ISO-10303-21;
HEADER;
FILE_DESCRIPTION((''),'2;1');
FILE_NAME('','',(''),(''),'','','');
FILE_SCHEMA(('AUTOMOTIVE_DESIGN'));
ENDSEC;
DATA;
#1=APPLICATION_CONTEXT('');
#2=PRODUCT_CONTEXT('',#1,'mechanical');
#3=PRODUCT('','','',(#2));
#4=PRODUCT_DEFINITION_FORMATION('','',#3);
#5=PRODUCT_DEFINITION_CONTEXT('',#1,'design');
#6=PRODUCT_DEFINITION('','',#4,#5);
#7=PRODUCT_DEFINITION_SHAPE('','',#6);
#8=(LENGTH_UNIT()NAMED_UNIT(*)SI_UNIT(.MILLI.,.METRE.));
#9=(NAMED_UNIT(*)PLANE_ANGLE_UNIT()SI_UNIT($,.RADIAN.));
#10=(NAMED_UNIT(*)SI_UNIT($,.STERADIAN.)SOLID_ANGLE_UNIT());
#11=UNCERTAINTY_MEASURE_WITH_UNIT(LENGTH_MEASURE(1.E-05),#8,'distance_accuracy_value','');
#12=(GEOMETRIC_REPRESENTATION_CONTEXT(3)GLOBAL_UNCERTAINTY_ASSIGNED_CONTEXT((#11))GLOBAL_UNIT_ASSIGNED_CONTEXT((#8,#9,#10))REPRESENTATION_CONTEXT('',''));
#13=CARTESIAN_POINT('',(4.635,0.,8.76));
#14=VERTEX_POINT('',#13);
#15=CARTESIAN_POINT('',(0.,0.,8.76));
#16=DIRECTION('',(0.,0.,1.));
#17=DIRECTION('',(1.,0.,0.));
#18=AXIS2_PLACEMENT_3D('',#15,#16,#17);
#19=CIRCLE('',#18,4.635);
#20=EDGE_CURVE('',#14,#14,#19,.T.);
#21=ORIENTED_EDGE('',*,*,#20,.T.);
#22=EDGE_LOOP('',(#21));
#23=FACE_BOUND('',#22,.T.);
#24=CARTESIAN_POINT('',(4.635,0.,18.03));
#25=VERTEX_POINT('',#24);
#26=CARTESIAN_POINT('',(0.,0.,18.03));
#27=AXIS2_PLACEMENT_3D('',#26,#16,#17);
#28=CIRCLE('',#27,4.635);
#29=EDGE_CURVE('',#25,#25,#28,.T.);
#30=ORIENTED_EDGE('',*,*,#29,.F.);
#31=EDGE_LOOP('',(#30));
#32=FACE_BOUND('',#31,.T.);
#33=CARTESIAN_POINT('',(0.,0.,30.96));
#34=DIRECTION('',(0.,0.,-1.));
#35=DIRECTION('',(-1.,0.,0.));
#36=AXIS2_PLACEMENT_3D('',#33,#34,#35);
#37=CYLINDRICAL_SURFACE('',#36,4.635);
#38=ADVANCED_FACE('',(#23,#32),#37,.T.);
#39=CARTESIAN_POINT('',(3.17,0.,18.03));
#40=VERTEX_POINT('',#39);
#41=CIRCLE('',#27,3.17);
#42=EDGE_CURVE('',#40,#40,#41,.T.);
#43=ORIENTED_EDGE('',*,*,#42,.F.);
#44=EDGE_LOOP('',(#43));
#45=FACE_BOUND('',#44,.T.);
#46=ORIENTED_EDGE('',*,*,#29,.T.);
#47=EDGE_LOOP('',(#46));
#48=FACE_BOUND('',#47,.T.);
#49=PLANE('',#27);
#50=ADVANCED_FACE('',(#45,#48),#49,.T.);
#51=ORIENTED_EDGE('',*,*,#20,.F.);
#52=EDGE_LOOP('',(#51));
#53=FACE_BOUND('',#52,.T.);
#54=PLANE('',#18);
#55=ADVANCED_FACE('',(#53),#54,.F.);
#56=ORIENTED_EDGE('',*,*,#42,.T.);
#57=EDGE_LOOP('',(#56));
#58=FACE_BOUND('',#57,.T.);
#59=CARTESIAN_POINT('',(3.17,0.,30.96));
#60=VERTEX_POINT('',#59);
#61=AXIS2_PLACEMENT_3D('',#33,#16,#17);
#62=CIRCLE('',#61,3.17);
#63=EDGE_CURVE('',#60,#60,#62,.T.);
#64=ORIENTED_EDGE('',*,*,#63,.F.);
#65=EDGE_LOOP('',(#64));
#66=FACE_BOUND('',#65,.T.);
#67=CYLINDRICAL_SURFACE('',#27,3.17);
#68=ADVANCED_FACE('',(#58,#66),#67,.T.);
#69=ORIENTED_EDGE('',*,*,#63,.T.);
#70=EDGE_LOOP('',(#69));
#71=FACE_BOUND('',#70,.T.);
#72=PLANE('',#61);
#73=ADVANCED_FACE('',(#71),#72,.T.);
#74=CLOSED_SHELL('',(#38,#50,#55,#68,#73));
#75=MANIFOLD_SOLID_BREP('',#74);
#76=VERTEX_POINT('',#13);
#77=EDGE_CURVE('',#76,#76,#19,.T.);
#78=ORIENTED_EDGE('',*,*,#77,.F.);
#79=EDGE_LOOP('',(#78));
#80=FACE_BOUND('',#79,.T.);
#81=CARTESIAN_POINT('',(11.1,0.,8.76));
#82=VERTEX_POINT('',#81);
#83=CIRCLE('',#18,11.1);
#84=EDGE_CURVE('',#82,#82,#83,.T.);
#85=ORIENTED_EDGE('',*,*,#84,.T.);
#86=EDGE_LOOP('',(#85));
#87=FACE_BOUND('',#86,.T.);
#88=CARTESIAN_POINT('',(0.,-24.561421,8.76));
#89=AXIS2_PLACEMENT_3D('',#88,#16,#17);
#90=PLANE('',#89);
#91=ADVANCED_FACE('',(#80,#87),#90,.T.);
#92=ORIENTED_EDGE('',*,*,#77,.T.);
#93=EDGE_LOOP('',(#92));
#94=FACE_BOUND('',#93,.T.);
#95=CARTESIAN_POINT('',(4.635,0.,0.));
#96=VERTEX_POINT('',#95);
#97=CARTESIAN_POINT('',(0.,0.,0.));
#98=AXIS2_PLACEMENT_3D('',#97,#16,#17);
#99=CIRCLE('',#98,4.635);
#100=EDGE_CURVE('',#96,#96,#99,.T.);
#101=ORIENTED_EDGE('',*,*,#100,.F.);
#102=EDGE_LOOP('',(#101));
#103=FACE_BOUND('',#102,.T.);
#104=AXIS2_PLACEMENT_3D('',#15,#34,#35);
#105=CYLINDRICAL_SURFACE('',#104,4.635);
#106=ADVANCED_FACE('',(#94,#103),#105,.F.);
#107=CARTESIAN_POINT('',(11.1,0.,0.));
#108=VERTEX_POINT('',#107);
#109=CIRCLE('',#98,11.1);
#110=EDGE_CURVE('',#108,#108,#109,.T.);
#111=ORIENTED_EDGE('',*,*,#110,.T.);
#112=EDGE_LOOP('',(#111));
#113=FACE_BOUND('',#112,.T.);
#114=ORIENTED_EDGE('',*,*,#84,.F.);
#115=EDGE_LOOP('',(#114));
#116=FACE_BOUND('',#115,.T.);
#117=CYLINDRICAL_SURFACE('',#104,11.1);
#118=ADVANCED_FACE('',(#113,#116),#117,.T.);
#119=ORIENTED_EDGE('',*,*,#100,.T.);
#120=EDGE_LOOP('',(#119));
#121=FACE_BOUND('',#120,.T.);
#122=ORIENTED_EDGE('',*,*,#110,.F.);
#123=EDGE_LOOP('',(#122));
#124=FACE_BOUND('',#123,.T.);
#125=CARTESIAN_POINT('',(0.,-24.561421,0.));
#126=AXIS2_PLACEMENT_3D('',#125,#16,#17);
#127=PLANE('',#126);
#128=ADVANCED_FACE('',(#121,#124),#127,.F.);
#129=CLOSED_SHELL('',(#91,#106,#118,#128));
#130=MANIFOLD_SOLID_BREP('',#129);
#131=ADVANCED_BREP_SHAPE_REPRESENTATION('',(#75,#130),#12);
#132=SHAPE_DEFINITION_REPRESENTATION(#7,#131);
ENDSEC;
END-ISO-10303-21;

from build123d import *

# Parameters (mm, degrees)
SKETCH1_R           = 11.1
SKETCH1_R_2         = 4.635
BOSS_EXTRUDE1_DEPTH = 8.76
SKETCH3_R           = 4.635
BOSS_EXTRUDE2_DEPTH = 22.2
CUT_EXTRUDE3_START  = -12.93
SKETCH4_R           = 4.635
SKETCH4_R_2         = 3.17
CUT_EXTRUDE3_DEPTH  = 12.93


with BuildPart() as part:
    # Sketch1 → Boss-Extrude1 (new body)
    with BuildSketch(Plane.XY):
        Circle(SKETCH1_R)
        Circle(SKETCH1_R_2, mode=Mode.SUBTRACT)
    extrude(amount=BOSS_EXTRUDE1_DEPTH)


with BuildPart() as body_2:
    # Sketch3 → Boss-Extrude2 (new body)
    with BuildSketch(Plane.XY.offset(8.76)):
        Circle(SKETCH3_R)
    extrude(amount=BOSS_EXTRUDE2_DEPTH)

    # Sketch4 → Cut-Extrude3 (cut)
    with BuildSketch(Plane.XY.offset(30.96).offset(CUT_EXTRUDE3_START)):
        Circle(SKETCH4_R)
        Circle(SKETCH4_R_2, mode=Mode.SUBTRACT)
    extrude(amount=CUT_EXTRUDE3_DEPTH, mode=Mode.SUBTRACT)


solid = Compound([part.part, body_2.part])
